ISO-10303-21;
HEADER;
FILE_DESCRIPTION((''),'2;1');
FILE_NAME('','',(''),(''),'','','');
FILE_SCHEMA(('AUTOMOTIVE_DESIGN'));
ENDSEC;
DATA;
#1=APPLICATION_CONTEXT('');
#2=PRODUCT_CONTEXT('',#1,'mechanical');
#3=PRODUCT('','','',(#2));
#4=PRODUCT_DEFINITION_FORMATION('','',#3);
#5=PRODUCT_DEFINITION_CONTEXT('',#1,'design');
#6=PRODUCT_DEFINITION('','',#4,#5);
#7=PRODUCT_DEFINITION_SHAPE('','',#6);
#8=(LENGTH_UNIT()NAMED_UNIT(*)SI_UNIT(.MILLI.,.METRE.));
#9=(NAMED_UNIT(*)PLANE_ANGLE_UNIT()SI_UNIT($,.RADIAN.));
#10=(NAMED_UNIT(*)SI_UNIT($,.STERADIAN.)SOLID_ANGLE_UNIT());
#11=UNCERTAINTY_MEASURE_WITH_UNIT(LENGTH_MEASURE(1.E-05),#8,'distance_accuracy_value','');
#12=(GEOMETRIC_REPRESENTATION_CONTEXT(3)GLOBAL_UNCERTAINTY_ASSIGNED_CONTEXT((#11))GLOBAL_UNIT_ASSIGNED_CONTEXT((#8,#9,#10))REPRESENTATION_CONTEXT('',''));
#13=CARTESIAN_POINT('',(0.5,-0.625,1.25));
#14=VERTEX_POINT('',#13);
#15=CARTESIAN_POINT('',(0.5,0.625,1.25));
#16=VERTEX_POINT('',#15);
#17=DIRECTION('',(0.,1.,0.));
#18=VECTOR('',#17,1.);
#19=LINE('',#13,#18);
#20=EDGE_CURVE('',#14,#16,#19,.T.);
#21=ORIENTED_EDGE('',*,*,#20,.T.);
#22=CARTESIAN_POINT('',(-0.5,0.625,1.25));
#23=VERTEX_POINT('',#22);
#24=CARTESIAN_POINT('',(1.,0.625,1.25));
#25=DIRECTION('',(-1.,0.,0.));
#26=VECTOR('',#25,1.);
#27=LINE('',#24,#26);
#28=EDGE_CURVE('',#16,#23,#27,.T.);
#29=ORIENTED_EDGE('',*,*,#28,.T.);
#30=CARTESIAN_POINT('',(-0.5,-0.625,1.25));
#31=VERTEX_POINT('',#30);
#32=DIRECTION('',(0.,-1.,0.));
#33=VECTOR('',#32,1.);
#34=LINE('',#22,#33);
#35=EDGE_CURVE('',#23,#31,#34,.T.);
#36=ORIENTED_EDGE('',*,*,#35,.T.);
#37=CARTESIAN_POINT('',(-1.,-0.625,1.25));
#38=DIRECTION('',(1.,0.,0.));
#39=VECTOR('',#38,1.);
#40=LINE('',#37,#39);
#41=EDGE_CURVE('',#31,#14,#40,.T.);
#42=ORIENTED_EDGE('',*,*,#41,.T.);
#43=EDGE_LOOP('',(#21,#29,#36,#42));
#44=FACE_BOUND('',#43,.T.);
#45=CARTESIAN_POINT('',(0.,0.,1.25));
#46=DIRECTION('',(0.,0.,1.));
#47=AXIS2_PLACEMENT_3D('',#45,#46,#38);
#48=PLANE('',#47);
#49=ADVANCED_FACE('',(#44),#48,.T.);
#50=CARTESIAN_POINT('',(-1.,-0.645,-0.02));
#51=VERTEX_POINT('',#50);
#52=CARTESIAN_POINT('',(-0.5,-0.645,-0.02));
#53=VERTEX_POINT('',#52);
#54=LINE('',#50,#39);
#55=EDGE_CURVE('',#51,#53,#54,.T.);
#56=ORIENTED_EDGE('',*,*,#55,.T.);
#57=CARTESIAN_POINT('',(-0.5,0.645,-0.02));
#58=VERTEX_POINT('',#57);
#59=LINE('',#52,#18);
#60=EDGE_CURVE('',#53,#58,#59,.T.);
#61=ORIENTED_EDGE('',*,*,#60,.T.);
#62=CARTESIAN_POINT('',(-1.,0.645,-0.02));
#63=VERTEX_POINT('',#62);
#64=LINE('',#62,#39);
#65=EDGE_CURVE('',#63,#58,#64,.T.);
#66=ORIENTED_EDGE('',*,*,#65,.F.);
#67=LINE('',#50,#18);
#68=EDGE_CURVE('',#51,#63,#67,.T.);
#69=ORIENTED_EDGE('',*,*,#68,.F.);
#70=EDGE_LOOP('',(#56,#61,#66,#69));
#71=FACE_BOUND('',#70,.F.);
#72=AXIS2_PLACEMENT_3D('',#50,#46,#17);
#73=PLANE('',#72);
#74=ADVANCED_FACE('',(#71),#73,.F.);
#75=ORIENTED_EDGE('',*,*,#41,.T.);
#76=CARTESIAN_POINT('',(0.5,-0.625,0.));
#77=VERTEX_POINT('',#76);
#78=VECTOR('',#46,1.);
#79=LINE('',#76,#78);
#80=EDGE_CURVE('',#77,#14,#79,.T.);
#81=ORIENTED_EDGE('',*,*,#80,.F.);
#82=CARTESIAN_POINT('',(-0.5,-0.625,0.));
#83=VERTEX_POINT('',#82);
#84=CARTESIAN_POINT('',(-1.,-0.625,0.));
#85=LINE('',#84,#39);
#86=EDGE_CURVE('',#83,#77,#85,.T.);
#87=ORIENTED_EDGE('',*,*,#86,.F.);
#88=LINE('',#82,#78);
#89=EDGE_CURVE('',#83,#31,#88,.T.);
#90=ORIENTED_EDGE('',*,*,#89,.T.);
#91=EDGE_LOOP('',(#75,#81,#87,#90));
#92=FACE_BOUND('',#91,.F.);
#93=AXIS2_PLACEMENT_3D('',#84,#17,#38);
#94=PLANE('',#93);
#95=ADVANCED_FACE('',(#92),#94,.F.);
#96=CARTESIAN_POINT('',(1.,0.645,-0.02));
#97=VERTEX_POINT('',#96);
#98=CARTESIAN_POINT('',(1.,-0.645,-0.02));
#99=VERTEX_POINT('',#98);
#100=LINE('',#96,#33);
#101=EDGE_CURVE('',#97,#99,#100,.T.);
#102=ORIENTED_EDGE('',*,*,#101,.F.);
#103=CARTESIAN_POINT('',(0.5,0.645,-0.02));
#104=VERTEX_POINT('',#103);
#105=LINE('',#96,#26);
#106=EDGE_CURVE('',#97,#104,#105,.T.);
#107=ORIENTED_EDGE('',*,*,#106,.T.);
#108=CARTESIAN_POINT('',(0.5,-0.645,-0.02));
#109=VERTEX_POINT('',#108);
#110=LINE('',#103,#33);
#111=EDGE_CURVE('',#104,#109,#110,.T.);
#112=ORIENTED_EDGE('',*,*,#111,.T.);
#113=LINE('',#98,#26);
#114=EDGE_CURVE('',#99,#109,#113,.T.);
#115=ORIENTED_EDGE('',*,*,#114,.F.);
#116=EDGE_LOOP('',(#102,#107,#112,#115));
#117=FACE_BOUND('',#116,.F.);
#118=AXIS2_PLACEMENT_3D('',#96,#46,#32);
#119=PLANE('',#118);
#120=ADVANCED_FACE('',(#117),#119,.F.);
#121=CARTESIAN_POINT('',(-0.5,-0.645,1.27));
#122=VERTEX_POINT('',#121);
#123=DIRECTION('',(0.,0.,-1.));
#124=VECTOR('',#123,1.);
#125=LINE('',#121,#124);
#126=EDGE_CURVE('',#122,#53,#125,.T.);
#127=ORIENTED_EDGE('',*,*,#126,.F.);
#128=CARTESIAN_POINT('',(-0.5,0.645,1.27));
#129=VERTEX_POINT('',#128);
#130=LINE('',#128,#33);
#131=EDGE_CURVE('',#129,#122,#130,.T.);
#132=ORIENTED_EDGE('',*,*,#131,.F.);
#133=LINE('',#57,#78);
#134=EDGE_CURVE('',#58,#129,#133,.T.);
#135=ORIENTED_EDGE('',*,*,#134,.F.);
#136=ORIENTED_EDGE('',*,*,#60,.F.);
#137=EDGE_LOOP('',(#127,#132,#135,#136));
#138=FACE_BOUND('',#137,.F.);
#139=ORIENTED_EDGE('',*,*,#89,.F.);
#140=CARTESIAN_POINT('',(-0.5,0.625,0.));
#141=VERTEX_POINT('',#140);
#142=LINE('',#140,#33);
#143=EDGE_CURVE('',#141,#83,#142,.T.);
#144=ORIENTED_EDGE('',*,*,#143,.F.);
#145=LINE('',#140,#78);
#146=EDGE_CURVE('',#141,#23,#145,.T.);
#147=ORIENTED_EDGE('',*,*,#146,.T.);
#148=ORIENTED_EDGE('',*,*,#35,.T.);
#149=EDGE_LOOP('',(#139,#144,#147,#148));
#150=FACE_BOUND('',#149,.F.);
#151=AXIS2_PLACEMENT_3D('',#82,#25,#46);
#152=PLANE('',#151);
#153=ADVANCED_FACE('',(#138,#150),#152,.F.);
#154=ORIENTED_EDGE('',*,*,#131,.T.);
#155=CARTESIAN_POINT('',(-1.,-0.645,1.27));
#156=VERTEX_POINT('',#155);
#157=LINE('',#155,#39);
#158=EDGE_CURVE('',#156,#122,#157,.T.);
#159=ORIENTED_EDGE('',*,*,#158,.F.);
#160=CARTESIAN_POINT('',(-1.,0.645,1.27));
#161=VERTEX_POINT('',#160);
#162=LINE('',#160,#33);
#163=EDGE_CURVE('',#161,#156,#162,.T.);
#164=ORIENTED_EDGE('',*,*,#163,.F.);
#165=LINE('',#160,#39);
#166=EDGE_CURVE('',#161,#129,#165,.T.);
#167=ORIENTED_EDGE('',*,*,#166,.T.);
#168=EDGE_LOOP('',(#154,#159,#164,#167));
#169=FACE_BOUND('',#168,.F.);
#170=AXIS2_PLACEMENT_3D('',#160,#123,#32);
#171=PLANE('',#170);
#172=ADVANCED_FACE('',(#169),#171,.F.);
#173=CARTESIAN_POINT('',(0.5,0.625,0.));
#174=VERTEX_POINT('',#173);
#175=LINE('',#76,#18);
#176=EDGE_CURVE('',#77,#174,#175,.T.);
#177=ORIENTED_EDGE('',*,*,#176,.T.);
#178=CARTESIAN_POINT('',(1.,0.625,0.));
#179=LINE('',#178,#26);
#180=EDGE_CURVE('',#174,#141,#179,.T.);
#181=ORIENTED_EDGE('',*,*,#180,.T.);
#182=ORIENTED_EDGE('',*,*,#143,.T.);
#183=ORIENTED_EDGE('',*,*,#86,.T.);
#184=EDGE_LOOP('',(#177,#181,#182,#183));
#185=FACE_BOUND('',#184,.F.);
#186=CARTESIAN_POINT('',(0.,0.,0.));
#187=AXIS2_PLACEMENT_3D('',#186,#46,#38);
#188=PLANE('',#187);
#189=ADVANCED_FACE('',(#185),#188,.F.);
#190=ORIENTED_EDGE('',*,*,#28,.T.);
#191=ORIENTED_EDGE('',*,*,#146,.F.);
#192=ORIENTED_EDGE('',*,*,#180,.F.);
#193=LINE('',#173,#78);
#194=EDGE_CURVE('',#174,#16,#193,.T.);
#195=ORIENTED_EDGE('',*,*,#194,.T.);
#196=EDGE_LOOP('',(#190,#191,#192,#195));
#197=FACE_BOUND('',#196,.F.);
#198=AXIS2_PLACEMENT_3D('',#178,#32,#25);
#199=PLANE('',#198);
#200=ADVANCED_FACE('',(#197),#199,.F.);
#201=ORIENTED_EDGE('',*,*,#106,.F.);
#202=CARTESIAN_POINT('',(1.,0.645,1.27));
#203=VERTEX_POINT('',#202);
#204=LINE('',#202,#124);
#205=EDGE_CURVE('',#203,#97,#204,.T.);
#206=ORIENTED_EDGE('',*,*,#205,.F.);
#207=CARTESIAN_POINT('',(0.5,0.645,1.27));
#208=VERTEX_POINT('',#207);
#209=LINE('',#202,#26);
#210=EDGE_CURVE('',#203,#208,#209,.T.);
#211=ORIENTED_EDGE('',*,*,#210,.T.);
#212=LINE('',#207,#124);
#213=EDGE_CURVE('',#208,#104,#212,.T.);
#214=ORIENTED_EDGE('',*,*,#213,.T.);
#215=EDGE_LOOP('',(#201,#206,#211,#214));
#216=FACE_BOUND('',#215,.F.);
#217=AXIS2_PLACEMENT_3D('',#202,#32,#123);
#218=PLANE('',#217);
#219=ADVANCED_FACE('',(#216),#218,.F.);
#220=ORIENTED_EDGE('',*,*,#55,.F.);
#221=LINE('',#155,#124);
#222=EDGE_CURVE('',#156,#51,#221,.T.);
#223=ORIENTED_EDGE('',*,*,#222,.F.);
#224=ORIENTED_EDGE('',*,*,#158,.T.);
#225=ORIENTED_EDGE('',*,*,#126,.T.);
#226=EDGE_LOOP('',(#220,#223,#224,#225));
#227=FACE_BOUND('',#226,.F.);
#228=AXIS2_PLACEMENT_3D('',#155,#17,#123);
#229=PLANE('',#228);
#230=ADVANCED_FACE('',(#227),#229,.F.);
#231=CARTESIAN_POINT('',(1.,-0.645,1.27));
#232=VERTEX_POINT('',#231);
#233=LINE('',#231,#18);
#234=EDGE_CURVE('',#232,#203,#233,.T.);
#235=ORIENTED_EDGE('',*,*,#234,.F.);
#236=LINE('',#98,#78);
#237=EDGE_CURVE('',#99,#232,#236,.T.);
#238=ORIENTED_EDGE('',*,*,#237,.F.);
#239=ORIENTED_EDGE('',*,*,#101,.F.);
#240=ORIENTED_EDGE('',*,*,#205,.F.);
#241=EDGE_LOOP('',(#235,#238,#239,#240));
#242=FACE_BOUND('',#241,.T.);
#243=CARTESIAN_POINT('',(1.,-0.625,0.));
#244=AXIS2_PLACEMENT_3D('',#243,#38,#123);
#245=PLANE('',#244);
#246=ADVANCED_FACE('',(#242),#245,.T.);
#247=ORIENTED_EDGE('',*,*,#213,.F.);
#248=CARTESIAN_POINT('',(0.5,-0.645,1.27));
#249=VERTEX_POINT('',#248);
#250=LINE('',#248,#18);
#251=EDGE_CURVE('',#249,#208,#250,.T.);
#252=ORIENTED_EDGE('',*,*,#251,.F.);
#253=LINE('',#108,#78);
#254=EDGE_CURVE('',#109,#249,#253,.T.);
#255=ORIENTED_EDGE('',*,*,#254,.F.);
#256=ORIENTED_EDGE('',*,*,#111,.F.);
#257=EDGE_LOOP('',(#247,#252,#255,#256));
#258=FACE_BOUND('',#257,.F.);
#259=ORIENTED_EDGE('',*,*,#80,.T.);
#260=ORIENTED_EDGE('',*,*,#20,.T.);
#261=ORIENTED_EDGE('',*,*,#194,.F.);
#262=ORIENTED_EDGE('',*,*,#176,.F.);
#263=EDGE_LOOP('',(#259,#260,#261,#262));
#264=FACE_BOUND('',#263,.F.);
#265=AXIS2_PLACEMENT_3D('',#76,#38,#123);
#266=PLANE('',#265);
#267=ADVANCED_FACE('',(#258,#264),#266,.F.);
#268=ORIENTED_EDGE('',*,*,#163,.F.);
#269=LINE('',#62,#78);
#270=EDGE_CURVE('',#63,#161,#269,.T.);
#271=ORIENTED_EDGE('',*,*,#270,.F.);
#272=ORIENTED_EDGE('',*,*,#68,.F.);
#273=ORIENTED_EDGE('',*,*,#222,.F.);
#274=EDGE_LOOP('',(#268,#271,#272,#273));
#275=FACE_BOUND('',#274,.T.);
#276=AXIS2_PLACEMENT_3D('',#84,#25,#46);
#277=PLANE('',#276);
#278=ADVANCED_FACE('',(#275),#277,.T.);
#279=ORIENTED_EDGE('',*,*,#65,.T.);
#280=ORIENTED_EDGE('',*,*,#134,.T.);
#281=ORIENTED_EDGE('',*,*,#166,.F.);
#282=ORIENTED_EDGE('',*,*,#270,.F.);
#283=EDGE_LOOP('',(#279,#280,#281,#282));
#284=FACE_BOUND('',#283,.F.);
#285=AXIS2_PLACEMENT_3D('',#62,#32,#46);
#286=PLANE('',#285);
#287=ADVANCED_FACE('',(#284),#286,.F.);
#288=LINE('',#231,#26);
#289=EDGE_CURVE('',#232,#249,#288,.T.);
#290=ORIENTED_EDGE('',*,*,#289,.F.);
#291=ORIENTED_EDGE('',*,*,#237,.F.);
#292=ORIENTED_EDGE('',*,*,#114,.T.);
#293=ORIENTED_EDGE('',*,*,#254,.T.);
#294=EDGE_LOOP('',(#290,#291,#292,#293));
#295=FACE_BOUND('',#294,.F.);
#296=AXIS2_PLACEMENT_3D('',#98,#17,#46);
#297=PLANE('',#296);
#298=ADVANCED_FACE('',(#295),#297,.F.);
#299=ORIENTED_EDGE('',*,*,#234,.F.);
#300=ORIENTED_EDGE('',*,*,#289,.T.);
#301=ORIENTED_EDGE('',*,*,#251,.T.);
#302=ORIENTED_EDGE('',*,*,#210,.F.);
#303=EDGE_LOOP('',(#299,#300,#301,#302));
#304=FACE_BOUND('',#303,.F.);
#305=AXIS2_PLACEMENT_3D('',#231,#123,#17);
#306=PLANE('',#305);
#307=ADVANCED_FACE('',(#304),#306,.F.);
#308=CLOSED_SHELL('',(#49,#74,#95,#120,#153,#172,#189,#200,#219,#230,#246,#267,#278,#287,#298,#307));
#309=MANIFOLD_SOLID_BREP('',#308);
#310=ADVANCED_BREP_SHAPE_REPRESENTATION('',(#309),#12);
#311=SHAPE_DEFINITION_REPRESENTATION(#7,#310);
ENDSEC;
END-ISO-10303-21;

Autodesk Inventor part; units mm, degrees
ref_plane "YZ Plane" through (0, 0, 0) normal (1, 0, 0) x (0, 1, 0)
ref_plane "XZ Plane" through (0, 0, 0) normal (0, 1, 0) x (-1, 0, 0)
ref_plane "XY Plane" through (0, 0, 0) normal (0, 0, 1) x (1, 0, 0)
sketch "Sketch1" plane through (0, 0, 0) normal (0, 0, 1) x (1, 0, 0)
  line L0 (-1, -0.625) -> (1, -0.625)
  line L1 (1, -0.625) -> (1, 0.625)
  line L2 (1, 0.625) -> (-1, 0.625)
  line L3 (-1, 0.625) -> (-1, -0.625)
  line L4 (-1, -0.625) -> (1, 0.625) construction
  line L5 (1, -0.625) -> (-1, 0.625) construction
  point P0 (0, 0)
  dimension "d0" = 2
  dimension "d1" = 1.25
extrude "Extrusion1" add sketch "Sketch1" along normal blind 1.25
sketch "Sketch2" plane through (1, -0.625, 0) normal (1, 0, 0) x (0, 0, -1)
  line L0 (0, 0) -> (0, 1.25) projected
  line L1 (0, 1.25) -> (-1.25, 1.25) projected
  line L2 (-1.25, 0) -> (-1.25, 1.25) projected
  line L3 (0, 0) -> (-1.25, 0) projected
  line L4 (-1.27, 1.27) -> (0.02, 1.27)
  line L5 (0.02, 1.27) -> (0.02, -0.02)
  line L6 (0.02, -0.02) -> (-1.27, -0.02)
  line L7 (-1.27, -0.02) -> (-1.27, 1.27)
  point P0 (0, 0.625)
  dimension "d4" = 0.02
extrude "Extrusion2" add sketch "Sketch2" against normal blind 0.5
sketch "Sketch3" plane through (-1, -0.625, 0) normal (-1, 0, 0) x (0, 0, 1)
  line L0 (0, 1.25) -> (0, 0) projected
  line L1 (0, 0) -> (1.25, 0) projected
  line L2 (1.25, 1.25) -> (1.25, 0) projected
  line L3 (0, 1.25) -> (1.25, 1.25) projected
  line L4 (1.27, -0.02) -> (-0.02, -0.02)
  line L5 (-0.02, -0.02) -> (-0.02, 1.27)
  line L6 (-0.02, 1.27) -> (1.27, 1.27)
  line L7 (1.27, 1.27) -> (1.27, -0.02)
  point P0 (0, 0.625)
  dimension "d7" = 0.02
extrude "Extrusion3" add sketch "Sketch3" against normal blind 0.5
properties part number "0805 Capacitor" material "ABS Plastic"
